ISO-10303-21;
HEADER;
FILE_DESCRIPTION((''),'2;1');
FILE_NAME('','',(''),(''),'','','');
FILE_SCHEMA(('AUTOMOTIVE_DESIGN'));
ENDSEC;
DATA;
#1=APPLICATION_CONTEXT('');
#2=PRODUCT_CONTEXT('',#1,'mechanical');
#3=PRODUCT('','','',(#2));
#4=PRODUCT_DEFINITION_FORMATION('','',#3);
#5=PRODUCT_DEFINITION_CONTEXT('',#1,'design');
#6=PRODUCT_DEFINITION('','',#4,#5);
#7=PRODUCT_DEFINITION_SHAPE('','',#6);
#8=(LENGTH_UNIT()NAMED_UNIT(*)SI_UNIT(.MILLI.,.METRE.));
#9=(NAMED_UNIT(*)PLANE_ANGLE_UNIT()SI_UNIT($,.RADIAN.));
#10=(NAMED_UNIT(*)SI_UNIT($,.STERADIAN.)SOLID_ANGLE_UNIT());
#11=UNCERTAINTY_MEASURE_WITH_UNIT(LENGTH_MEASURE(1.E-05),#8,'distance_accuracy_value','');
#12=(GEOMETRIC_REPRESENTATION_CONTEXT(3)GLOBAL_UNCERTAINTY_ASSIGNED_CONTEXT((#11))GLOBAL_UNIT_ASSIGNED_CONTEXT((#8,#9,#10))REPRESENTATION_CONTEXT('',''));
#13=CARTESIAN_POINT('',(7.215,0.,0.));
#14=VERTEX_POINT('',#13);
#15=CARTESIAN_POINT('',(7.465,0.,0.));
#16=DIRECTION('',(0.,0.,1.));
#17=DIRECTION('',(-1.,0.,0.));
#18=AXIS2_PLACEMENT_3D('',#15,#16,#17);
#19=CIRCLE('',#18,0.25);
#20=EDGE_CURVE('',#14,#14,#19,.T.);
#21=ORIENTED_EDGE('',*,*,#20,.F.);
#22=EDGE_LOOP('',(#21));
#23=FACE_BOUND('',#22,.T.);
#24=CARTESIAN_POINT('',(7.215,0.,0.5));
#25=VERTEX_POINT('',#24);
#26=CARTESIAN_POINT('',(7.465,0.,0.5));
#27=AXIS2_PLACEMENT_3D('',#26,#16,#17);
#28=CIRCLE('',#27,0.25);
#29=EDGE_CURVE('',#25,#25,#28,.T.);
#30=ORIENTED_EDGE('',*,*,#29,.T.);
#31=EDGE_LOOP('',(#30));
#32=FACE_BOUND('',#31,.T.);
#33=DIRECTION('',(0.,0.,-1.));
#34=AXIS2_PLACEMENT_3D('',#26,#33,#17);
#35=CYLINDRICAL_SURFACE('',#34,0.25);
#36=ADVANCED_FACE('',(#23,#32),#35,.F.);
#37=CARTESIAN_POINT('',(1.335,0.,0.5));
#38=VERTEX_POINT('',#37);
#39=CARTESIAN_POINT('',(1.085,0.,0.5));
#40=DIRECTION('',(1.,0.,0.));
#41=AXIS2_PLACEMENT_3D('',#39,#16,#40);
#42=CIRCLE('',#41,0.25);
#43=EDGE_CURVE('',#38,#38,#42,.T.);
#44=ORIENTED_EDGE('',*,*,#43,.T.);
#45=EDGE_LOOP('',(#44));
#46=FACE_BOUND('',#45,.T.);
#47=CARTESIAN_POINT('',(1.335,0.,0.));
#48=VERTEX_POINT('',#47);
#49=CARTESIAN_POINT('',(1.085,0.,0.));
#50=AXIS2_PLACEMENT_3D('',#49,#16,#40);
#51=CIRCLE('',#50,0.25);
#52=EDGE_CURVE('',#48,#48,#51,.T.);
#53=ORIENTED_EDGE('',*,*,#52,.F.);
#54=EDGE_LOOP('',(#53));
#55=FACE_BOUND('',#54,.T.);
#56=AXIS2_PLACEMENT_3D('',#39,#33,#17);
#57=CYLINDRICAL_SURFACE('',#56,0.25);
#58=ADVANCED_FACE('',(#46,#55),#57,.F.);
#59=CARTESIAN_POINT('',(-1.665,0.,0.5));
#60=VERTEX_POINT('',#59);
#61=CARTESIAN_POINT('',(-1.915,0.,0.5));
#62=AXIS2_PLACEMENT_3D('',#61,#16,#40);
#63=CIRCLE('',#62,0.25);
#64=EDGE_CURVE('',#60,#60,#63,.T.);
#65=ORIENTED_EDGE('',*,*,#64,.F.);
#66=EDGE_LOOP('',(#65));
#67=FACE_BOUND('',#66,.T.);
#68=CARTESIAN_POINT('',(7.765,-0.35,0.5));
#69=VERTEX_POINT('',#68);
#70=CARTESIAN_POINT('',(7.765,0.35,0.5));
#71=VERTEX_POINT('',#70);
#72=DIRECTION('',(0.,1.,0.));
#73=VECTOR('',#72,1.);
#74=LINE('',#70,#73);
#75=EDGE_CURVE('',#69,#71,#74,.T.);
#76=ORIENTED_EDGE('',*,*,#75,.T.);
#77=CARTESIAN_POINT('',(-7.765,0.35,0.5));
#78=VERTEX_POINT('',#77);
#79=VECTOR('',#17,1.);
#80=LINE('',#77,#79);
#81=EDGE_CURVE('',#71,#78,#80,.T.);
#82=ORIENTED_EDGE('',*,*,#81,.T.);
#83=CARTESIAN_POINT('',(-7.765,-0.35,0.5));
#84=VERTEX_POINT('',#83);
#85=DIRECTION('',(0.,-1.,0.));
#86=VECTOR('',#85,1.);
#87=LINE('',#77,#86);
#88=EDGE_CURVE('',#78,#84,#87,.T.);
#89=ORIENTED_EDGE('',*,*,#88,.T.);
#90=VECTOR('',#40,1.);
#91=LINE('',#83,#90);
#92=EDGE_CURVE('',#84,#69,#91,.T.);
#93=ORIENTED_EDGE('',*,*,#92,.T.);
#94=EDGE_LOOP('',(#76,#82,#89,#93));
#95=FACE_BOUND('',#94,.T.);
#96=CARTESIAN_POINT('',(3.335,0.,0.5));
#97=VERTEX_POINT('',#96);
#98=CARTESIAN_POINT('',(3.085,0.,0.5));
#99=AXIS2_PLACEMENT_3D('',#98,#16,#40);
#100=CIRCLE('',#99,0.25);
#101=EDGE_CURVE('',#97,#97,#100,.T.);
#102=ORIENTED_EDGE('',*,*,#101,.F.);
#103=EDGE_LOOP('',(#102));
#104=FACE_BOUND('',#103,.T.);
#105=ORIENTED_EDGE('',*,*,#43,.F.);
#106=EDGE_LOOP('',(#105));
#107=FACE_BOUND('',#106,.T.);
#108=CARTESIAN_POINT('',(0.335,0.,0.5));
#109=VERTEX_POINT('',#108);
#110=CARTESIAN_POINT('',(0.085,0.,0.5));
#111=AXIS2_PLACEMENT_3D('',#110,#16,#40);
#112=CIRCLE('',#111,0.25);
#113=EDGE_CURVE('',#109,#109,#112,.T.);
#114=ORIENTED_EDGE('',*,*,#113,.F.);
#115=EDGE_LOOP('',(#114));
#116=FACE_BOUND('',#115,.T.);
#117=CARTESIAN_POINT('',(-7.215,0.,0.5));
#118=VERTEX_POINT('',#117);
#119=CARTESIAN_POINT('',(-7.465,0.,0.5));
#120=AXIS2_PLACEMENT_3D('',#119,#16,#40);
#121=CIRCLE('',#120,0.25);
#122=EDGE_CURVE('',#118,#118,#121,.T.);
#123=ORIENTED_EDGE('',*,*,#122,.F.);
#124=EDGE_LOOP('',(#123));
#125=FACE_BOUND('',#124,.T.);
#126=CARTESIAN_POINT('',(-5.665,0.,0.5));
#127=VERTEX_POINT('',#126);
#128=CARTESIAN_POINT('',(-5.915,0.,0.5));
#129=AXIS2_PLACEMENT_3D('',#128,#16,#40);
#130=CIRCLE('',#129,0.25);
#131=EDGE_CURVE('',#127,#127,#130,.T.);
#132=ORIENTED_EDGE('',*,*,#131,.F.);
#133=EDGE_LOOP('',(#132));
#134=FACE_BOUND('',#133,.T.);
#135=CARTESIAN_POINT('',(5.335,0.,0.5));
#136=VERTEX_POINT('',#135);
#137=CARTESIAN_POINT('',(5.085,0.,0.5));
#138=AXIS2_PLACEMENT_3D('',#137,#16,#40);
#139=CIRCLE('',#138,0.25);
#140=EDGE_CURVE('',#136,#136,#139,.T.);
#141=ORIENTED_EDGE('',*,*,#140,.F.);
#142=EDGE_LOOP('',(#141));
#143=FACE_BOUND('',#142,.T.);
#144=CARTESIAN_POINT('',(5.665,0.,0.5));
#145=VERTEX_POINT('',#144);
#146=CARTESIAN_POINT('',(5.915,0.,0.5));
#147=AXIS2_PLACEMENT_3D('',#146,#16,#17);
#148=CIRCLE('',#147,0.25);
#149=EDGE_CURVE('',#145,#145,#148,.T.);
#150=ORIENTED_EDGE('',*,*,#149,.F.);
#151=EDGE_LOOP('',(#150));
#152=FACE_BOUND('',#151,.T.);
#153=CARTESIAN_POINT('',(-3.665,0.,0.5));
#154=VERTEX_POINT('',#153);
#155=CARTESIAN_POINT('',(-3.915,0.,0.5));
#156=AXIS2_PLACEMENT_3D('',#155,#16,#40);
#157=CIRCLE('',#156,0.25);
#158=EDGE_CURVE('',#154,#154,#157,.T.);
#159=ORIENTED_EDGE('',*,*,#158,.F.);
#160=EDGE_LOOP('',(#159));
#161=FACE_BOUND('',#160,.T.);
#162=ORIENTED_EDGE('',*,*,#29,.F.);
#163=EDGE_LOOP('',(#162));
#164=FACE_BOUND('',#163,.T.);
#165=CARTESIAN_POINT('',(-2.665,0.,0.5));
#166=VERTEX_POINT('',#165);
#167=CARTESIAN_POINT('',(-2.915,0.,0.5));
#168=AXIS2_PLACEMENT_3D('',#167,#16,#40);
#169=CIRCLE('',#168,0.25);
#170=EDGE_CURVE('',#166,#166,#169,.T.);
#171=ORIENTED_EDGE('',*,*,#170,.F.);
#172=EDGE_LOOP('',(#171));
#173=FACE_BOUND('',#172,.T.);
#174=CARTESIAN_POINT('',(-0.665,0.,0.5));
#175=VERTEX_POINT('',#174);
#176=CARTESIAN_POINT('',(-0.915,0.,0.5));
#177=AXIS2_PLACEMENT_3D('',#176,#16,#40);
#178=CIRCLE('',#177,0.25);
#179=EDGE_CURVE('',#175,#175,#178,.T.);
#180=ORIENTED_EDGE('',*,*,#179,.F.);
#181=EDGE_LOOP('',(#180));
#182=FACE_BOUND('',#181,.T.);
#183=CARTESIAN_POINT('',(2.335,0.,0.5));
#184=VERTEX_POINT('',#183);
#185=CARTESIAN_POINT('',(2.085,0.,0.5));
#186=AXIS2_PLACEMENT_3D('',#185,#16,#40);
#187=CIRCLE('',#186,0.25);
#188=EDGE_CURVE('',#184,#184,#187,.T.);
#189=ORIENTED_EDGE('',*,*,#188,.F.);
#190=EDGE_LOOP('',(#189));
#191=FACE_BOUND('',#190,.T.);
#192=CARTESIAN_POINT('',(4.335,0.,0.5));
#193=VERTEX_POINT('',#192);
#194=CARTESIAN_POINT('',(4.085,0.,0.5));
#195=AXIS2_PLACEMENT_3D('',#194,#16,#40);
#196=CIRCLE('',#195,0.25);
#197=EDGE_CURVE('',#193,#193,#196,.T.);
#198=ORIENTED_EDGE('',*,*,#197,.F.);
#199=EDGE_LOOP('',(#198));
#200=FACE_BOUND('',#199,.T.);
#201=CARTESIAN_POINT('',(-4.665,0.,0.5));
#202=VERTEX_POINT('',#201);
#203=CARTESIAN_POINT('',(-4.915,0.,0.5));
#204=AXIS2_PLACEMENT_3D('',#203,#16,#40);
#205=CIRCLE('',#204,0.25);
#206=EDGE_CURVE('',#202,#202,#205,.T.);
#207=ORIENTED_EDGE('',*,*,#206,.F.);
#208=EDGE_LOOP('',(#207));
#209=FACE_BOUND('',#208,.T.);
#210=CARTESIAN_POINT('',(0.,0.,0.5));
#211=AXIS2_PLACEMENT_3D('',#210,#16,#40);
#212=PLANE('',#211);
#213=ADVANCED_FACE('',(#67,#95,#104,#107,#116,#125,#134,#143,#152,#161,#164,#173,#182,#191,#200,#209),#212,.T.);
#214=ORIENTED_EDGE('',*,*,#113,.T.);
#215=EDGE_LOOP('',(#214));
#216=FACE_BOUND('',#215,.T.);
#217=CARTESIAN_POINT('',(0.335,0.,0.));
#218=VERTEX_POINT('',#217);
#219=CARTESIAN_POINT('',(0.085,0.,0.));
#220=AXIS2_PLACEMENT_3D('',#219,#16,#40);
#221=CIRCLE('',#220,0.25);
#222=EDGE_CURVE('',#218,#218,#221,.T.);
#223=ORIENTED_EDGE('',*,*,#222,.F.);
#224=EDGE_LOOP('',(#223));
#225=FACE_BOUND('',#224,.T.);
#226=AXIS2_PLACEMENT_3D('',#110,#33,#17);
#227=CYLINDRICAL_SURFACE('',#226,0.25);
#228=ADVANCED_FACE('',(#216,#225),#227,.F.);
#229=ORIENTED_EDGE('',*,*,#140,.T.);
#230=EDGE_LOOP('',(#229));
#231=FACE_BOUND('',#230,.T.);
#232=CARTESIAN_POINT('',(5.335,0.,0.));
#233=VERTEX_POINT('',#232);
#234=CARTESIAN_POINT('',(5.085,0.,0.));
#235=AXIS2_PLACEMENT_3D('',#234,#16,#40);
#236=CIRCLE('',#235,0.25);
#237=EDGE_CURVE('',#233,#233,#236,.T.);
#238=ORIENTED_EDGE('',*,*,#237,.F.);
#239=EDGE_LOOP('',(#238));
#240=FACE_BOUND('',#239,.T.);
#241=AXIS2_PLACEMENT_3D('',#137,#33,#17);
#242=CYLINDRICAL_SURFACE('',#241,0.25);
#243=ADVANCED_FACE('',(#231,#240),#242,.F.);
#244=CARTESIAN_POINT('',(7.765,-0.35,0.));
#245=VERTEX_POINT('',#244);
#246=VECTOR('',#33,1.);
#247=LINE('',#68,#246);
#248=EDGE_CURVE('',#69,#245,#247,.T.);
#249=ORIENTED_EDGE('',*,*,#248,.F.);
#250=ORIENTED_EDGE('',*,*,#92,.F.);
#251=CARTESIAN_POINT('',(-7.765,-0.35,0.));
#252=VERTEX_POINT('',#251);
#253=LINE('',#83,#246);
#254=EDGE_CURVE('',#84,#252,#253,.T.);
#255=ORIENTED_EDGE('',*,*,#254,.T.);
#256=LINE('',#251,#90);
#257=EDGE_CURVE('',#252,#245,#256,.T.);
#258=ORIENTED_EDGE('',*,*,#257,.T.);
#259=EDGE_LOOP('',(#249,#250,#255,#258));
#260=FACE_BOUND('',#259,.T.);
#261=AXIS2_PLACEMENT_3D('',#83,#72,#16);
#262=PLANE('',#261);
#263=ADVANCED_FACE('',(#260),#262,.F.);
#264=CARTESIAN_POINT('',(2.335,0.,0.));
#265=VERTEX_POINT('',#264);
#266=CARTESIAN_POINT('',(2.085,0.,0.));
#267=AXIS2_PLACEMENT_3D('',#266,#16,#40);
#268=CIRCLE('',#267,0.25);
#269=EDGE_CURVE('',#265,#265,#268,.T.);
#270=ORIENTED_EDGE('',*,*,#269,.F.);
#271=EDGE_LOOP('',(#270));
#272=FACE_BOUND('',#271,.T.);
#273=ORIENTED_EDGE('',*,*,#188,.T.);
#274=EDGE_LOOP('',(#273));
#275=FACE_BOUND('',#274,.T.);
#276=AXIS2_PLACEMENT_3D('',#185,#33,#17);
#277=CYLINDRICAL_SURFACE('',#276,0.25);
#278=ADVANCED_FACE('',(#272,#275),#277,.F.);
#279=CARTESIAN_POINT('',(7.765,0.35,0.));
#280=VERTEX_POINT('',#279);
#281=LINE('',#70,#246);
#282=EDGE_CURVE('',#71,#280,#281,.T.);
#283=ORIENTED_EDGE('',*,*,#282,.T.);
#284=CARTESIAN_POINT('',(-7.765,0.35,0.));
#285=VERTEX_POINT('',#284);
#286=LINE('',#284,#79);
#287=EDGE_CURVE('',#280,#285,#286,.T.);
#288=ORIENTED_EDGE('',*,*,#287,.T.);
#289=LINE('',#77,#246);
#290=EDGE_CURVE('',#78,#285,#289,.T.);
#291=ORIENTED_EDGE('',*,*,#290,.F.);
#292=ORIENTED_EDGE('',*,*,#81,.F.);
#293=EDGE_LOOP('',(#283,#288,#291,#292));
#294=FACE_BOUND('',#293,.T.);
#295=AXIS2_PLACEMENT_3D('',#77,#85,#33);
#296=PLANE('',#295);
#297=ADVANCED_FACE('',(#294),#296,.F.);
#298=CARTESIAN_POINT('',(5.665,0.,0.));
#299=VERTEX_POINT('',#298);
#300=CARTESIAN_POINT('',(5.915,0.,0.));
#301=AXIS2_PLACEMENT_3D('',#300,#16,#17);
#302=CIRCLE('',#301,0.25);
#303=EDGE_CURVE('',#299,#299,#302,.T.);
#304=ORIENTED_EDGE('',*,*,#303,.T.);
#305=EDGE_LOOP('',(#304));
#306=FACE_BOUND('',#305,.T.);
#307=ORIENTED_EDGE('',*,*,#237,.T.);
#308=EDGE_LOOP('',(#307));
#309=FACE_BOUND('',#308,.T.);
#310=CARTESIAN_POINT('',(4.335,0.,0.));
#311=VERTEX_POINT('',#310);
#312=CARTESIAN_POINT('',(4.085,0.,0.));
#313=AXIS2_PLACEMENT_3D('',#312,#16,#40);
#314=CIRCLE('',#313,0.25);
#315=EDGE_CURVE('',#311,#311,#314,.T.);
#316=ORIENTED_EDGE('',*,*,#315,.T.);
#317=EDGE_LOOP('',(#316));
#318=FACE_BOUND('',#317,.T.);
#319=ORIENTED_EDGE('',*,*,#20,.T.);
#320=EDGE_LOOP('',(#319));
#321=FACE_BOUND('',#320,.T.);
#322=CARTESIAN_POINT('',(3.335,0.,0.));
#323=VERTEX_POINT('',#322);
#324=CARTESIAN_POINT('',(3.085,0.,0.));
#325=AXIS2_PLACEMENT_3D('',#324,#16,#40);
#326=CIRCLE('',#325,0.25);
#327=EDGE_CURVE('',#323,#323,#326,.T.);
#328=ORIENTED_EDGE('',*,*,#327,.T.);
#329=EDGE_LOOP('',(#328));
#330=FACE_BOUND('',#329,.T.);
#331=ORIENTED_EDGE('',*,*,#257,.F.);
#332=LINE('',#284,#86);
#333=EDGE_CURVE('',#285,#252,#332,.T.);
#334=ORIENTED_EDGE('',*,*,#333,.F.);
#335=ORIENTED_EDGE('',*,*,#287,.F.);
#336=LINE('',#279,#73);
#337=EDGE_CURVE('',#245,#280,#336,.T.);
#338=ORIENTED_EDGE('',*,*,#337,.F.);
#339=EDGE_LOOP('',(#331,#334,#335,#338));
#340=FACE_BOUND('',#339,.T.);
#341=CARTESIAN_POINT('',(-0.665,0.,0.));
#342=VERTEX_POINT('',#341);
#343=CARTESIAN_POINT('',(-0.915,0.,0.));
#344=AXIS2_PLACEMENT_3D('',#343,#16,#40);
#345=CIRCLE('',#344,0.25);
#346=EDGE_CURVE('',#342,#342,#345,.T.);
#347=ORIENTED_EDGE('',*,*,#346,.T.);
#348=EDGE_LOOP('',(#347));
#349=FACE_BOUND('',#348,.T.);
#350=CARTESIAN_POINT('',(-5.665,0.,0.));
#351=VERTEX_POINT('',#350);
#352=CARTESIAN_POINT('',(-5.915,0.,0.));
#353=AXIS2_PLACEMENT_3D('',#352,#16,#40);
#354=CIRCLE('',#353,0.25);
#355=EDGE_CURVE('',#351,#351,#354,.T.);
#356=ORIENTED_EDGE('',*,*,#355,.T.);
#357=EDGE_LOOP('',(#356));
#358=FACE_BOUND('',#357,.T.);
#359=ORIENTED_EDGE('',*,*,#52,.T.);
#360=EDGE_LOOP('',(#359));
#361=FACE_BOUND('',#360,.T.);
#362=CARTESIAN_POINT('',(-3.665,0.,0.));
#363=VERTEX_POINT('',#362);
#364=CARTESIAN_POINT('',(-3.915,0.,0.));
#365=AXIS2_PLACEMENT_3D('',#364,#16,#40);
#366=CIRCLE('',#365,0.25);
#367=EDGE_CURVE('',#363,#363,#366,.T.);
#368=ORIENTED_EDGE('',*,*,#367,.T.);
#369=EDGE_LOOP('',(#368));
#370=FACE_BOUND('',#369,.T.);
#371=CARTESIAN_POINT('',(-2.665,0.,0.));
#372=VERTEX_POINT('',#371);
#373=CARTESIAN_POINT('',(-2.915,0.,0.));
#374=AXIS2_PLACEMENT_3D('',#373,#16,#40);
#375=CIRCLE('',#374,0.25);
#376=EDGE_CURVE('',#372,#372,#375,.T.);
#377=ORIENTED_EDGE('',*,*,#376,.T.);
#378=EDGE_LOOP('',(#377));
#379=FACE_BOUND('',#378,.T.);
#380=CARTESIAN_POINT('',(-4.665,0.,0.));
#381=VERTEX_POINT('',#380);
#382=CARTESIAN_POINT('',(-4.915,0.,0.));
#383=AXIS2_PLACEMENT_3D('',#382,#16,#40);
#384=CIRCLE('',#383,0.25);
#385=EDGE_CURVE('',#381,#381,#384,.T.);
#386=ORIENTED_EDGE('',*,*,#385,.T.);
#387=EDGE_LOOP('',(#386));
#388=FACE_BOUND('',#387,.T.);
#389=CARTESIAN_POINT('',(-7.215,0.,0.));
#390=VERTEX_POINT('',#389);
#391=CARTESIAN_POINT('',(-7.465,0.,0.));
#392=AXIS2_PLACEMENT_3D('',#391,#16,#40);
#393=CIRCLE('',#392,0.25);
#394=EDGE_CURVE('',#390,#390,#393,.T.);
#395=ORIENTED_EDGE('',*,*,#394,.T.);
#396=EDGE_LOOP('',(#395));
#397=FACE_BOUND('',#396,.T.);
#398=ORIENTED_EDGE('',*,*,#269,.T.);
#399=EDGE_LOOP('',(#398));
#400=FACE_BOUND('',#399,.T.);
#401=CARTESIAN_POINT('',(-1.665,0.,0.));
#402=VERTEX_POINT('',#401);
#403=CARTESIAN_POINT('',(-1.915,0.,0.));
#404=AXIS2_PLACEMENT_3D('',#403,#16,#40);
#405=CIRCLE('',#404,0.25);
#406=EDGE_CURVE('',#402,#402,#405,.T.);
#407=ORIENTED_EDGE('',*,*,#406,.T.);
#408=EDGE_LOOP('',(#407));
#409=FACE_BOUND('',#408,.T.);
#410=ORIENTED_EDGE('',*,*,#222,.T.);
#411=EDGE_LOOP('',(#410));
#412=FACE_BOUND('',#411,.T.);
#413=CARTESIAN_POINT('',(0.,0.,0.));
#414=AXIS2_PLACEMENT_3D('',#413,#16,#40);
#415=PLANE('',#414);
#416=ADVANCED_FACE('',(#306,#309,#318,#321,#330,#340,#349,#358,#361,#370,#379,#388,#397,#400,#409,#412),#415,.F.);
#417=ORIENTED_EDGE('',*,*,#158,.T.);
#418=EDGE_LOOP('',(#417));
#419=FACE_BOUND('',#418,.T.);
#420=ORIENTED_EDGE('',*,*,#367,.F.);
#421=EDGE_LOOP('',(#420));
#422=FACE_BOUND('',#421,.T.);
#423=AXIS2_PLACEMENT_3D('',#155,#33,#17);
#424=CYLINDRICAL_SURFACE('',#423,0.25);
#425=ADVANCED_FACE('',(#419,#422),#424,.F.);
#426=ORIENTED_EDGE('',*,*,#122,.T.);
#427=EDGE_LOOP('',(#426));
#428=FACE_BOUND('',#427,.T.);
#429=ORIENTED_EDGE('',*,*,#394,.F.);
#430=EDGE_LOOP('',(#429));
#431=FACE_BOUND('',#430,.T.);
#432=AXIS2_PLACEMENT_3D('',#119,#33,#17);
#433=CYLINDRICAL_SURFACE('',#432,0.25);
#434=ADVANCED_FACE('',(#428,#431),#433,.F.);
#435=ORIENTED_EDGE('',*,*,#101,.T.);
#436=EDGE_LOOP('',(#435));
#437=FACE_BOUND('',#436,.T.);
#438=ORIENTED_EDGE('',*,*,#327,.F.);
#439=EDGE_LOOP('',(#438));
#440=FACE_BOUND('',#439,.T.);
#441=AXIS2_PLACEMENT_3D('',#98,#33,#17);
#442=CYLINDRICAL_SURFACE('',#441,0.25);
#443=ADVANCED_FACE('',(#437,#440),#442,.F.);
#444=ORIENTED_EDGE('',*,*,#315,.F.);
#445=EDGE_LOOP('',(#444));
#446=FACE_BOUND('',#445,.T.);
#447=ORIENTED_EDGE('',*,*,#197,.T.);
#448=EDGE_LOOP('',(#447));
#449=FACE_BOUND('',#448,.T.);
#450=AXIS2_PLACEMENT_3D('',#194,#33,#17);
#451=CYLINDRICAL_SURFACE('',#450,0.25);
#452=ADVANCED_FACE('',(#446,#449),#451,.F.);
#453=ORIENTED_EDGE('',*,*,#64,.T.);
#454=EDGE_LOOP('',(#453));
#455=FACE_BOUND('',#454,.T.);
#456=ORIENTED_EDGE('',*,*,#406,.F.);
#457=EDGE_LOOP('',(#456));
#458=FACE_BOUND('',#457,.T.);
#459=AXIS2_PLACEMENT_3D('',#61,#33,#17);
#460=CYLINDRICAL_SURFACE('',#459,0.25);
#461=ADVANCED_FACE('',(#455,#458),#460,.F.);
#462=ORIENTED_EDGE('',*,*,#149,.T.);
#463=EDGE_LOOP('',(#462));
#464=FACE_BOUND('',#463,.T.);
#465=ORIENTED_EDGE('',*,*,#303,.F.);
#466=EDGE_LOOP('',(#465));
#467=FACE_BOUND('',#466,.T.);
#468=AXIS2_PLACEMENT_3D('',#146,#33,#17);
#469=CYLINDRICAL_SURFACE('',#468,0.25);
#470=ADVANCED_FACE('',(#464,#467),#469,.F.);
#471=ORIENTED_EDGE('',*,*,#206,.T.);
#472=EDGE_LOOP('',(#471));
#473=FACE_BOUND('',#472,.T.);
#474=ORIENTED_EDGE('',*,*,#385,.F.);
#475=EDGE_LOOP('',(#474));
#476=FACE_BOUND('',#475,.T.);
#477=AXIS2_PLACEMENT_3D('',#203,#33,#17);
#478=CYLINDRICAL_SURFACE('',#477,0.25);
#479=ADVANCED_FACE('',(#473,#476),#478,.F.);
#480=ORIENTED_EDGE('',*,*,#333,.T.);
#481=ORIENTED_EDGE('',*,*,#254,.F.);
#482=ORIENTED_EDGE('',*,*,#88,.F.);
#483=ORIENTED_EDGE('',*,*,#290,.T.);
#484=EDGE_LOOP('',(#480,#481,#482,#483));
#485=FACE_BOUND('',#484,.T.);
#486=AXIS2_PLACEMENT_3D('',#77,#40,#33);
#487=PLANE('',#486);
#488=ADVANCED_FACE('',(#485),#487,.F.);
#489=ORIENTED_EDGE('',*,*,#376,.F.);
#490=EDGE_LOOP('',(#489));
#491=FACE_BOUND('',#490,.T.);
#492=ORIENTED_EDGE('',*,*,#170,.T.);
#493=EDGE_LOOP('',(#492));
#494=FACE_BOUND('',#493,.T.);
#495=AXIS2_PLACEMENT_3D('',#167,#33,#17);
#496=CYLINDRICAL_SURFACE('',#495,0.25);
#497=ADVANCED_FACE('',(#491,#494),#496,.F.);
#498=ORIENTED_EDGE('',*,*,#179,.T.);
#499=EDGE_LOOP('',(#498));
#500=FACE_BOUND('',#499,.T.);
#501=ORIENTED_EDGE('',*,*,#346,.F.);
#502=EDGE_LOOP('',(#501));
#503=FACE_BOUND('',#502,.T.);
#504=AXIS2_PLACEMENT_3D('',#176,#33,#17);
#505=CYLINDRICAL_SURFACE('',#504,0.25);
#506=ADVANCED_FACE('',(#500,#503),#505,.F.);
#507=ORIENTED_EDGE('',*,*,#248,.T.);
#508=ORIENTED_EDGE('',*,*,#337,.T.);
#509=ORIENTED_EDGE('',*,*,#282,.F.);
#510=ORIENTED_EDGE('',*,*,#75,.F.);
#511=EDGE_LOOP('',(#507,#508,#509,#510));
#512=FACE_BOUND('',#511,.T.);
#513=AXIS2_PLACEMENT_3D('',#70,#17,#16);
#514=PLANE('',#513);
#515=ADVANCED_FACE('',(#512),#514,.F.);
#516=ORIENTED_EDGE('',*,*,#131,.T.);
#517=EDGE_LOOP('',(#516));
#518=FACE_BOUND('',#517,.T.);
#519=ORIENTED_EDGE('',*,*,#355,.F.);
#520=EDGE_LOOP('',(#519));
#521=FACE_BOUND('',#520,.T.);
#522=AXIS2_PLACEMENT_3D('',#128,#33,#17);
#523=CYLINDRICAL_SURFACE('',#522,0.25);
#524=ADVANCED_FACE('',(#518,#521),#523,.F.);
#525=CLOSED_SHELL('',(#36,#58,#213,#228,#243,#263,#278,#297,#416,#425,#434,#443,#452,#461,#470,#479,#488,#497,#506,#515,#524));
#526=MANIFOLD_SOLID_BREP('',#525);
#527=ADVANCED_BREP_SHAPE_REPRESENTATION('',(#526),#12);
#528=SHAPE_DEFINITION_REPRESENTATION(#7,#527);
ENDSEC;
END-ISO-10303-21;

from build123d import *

# Parameters (mm, degrees)
SKETCH1_W           = 15.53
SKETCH1_H           = 0.7
SKETCH1_R           = 0.25
BOSS_EXTRUDE1_DEPTH = 0.5


with BuildPart() as part:
    # Sketch1 → Boss-Extrude1 (new body)
    with BuildSketch(Plane.XY):
        Rectangle(SKETCH1_W, SKETCH1_H)
        with Locations((-7.465, 0)):
            Circle(SKETCH1_R, mode=Mode.SUBTRACT)
        with Locations((-5.915, 0)):
            Circle(SKETCH1_R, mode=Mode.SUBTRACT)
        with Locations(Location((5.915, 0, 0), (0, 0, 180))):
            Circle(SKETCH1_R, mode=Mode.SUBTRACT)
        with Locations(Location((7.465, 0, 0), (0, 0, 180))):
            Circle(SKETCH1_R, mode=Mode.SUBTRACT)
        with Locations((-4.915, 0)):
            Circle(SKETCH1_R, mode=Mode.SUBTRACT)
        with Locations((-3.915, 0)):
            Circle(SKETCH1_R, mode=Mode.SUBTRACT)
        with Locations((-2.915, 0)):
            Circle(SKETCH1_R, mode=Mode.SUBTRACT)
        with Locations((-1.915, 0)):
            Circle(SKETCH1_R, mode=Mode.SUBTRACT)
        with Locations((-0.915, 0)):
            Circle(SKETCH1_R, mode=Mode.SUBTRACT)
        with Locations((0.085, 0)):
            Circle(SKETCH1_R, mode=Mode.SUBTRACT)
        with Locations((1.085, 0)):
            Circle(SKETCH1_R, mode=Mode.SUBTRACT)
        with Locations((2.085, 0)):
            Circle(SKETCH1_R, mode=Mode.SUBTRACT)
        with Locations((3.085, 0)):
            Circle(SKETCH1_R, mode=Mode.SUBTRACT)
        with Locations((4.085, 0)):
            Circle(SKETCH1_R, mode=Mode.SUBTRACT)
        with Locations((5.085, 0)):
            Circle(SKETCH1_R, mode=Mode.SUBTRACT)
    extrude(amount=BOSS_EXTRUDE1_DEPTH)


solid = part.part
